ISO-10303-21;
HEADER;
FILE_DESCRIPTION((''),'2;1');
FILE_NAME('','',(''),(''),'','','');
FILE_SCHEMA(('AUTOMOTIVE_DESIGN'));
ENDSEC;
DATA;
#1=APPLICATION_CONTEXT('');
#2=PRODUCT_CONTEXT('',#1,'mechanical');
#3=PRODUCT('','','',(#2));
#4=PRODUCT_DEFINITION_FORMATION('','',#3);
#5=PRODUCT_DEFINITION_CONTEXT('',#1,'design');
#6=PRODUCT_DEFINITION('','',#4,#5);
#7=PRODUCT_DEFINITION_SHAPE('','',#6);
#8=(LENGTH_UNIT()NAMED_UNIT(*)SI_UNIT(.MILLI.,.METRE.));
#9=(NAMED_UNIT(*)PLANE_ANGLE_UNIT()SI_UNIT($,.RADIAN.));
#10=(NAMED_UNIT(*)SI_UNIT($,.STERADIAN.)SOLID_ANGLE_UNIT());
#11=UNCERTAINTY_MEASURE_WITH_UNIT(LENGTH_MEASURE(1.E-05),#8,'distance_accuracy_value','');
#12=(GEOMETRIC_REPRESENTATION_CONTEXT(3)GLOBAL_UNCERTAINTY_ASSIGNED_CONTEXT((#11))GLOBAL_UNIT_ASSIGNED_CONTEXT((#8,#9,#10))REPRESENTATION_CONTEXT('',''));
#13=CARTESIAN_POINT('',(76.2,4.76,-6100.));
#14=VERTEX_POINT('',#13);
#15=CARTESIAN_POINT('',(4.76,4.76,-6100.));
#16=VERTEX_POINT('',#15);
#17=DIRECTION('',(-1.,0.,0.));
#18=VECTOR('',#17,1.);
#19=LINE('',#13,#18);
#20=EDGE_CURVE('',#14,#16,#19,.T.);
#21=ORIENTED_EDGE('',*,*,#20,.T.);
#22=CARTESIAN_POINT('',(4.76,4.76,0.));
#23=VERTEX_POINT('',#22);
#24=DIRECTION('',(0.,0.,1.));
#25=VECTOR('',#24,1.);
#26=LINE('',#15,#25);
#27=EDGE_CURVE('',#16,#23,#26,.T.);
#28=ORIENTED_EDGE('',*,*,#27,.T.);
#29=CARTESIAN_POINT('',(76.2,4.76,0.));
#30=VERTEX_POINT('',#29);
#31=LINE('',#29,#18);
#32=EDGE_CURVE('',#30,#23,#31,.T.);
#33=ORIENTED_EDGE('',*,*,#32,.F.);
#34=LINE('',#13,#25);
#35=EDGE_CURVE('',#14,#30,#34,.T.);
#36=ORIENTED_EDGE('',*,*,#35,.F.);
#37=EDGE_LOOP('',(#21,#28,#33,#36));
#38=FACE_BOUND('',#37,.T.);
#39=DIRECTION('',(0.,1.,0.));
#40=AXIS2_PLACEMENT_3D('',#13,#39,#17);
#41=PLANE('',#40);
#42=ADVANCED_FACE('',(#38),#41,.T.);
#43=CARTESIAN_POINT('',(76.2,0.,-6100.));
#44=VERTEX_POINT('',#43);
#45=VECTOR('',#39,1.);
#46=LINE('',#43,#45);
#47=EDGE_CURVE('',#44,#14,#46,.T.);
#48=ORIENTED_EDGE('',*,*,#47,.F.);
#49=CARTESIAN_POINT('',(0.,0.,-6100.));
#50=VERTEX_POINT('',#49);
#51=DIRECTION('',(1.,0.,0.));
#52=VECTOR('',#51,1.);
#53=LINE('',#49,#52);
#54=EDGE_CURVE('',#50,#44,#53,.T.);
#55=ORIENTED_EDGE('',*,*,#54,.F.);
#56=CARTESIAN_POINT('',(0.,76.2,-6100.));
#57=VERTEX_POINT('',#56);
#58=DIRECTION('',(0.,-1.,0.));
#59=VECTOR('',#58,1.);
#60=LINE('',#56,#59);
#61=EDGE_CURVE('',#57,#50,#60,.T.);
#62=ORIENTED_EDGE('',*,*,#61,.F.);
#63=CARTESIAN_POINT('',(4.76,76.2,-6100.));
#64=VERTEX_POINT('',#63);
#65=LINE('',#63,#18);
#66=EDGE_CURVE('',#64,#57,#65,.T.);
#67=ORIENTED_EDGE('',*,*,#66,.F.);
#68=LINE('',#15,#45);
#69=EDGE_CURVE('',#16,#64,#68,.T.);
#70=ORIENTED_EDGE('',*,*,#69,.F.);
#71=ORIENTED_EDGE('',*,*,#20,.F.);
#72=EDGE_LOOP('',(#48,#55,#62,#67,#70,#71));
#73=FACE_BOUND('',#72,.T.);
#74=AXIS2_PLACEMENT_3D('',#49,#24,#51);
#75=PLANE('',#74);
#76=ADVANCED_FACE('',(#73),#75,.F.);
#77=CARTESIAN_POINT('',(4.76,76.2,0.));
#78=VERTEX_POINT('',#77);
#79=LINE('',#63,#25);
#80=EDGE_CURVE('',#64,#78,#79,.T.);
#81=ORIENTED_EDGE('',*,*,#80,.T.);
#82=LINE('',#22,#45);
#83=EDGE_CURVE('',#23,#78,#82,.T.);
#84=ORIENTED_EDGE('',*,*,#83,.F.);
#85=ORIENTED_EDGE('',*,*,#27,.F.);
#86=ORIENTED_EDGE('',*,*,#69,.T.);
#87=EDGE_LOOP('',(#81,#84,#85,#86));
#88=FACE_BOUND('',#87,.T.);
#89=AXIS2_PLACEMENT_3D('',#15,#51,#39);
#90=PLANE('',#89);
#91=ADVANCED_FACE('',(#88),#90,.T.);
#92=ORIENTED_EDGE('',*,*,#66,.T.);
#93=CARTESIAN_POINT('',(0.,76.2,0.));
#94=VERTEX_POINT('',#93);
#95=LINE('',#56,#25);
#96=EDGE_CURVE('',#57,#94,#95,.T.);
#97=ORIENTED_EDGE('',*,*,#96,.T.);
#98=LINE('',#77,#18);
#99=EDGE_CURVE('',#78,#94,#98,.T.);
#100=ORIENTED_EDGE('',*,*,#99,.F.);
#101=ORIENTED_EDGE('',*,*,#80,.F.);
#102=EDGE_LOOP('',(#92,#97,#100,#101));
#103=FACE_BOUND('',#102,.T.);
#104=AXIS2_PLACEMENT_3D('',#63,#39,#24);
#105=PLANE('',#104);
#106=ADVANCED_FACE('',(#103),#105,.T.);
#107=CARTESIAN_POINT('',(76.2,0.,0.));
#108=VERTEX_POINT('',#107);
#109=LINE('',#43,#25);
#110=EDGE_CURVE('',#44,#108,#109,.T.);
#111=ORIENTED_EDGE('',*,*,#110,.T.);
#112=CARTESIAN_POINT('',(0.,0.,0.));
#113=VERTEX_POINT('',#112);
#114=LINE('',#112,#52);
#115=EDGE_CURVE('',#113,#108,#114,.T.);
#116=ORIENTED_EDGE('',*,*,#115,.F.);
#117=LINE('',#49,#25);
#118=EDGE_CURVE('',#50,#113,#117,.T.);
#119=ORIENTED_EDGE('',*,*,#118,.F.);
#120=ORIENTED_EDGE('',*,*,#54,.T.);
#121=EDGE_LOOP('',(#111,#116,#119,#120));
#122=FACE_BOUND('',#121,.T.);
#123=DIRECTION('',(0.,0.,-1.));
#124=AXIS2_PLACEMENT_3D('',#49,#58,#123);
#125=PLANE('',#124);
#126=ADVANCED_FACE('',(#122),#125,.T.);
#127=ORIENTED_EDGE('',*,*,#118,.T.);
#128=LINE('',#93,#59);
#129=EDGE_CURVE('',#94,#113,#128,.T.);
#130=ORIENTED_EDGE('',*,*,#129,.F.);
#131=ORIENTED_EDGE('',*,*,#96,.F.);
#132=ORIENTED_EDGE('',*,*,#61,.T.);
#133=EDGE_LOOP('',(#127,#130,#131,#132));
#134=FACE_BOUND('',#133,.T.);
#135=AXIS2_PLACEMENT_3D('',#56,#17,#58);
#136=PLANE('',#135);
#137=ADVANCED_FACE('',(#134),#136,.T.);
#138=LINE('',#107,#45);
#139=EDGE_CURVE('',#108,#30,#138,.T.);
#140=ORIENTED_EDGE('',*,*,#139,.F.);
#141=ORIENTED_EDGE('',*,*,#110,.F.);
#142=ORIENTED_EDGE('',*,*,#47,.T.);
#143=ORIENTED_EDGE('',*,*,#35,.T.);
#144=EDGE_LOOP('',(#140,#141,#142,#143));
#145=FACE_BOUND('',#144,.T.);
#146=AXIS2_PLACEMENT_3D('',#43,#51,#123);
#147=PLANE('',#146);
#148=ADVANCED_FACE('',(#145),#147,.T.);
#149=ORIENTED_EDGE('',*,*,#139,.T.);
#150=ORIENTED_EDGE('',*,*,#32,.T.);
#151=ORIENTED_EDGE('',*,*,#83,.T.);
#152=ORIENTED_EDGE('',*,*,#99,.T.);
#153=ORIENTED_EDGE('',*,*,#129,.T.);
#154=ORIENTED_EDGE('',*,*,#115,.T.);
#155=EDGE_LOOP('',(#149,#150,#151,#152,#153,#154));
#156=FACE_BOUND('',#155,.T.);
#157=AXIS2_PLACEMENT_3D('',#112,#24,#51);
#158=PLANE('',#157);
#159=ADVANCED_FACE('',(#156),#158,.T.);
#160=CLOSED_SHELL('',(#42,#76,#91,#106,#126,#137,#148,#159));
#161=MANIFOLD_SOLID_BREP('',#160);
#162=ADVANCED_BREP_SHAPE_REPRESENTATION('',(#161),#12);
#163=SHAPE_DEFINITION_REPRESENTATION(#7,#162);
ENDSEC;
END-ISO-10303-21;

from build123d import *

# Parameters (mm, degrees)
SALIENTE_EXTRUIR1_DEPTH = 6100


with BuildPart() as part:
    # Croquis1 → Saliente-Extruir1 (new body)
    with BuildSketch(Plane.XY):
        Polygon((0, 76.2), (0, 0), (76.2, 0), (76.2, 4.76), (4.76, 4.76), (4.76, 76.2), align=None)
    extrude(amount=-SALIENTE_EXTRUIR1_DEPTH)


solid = part.part
